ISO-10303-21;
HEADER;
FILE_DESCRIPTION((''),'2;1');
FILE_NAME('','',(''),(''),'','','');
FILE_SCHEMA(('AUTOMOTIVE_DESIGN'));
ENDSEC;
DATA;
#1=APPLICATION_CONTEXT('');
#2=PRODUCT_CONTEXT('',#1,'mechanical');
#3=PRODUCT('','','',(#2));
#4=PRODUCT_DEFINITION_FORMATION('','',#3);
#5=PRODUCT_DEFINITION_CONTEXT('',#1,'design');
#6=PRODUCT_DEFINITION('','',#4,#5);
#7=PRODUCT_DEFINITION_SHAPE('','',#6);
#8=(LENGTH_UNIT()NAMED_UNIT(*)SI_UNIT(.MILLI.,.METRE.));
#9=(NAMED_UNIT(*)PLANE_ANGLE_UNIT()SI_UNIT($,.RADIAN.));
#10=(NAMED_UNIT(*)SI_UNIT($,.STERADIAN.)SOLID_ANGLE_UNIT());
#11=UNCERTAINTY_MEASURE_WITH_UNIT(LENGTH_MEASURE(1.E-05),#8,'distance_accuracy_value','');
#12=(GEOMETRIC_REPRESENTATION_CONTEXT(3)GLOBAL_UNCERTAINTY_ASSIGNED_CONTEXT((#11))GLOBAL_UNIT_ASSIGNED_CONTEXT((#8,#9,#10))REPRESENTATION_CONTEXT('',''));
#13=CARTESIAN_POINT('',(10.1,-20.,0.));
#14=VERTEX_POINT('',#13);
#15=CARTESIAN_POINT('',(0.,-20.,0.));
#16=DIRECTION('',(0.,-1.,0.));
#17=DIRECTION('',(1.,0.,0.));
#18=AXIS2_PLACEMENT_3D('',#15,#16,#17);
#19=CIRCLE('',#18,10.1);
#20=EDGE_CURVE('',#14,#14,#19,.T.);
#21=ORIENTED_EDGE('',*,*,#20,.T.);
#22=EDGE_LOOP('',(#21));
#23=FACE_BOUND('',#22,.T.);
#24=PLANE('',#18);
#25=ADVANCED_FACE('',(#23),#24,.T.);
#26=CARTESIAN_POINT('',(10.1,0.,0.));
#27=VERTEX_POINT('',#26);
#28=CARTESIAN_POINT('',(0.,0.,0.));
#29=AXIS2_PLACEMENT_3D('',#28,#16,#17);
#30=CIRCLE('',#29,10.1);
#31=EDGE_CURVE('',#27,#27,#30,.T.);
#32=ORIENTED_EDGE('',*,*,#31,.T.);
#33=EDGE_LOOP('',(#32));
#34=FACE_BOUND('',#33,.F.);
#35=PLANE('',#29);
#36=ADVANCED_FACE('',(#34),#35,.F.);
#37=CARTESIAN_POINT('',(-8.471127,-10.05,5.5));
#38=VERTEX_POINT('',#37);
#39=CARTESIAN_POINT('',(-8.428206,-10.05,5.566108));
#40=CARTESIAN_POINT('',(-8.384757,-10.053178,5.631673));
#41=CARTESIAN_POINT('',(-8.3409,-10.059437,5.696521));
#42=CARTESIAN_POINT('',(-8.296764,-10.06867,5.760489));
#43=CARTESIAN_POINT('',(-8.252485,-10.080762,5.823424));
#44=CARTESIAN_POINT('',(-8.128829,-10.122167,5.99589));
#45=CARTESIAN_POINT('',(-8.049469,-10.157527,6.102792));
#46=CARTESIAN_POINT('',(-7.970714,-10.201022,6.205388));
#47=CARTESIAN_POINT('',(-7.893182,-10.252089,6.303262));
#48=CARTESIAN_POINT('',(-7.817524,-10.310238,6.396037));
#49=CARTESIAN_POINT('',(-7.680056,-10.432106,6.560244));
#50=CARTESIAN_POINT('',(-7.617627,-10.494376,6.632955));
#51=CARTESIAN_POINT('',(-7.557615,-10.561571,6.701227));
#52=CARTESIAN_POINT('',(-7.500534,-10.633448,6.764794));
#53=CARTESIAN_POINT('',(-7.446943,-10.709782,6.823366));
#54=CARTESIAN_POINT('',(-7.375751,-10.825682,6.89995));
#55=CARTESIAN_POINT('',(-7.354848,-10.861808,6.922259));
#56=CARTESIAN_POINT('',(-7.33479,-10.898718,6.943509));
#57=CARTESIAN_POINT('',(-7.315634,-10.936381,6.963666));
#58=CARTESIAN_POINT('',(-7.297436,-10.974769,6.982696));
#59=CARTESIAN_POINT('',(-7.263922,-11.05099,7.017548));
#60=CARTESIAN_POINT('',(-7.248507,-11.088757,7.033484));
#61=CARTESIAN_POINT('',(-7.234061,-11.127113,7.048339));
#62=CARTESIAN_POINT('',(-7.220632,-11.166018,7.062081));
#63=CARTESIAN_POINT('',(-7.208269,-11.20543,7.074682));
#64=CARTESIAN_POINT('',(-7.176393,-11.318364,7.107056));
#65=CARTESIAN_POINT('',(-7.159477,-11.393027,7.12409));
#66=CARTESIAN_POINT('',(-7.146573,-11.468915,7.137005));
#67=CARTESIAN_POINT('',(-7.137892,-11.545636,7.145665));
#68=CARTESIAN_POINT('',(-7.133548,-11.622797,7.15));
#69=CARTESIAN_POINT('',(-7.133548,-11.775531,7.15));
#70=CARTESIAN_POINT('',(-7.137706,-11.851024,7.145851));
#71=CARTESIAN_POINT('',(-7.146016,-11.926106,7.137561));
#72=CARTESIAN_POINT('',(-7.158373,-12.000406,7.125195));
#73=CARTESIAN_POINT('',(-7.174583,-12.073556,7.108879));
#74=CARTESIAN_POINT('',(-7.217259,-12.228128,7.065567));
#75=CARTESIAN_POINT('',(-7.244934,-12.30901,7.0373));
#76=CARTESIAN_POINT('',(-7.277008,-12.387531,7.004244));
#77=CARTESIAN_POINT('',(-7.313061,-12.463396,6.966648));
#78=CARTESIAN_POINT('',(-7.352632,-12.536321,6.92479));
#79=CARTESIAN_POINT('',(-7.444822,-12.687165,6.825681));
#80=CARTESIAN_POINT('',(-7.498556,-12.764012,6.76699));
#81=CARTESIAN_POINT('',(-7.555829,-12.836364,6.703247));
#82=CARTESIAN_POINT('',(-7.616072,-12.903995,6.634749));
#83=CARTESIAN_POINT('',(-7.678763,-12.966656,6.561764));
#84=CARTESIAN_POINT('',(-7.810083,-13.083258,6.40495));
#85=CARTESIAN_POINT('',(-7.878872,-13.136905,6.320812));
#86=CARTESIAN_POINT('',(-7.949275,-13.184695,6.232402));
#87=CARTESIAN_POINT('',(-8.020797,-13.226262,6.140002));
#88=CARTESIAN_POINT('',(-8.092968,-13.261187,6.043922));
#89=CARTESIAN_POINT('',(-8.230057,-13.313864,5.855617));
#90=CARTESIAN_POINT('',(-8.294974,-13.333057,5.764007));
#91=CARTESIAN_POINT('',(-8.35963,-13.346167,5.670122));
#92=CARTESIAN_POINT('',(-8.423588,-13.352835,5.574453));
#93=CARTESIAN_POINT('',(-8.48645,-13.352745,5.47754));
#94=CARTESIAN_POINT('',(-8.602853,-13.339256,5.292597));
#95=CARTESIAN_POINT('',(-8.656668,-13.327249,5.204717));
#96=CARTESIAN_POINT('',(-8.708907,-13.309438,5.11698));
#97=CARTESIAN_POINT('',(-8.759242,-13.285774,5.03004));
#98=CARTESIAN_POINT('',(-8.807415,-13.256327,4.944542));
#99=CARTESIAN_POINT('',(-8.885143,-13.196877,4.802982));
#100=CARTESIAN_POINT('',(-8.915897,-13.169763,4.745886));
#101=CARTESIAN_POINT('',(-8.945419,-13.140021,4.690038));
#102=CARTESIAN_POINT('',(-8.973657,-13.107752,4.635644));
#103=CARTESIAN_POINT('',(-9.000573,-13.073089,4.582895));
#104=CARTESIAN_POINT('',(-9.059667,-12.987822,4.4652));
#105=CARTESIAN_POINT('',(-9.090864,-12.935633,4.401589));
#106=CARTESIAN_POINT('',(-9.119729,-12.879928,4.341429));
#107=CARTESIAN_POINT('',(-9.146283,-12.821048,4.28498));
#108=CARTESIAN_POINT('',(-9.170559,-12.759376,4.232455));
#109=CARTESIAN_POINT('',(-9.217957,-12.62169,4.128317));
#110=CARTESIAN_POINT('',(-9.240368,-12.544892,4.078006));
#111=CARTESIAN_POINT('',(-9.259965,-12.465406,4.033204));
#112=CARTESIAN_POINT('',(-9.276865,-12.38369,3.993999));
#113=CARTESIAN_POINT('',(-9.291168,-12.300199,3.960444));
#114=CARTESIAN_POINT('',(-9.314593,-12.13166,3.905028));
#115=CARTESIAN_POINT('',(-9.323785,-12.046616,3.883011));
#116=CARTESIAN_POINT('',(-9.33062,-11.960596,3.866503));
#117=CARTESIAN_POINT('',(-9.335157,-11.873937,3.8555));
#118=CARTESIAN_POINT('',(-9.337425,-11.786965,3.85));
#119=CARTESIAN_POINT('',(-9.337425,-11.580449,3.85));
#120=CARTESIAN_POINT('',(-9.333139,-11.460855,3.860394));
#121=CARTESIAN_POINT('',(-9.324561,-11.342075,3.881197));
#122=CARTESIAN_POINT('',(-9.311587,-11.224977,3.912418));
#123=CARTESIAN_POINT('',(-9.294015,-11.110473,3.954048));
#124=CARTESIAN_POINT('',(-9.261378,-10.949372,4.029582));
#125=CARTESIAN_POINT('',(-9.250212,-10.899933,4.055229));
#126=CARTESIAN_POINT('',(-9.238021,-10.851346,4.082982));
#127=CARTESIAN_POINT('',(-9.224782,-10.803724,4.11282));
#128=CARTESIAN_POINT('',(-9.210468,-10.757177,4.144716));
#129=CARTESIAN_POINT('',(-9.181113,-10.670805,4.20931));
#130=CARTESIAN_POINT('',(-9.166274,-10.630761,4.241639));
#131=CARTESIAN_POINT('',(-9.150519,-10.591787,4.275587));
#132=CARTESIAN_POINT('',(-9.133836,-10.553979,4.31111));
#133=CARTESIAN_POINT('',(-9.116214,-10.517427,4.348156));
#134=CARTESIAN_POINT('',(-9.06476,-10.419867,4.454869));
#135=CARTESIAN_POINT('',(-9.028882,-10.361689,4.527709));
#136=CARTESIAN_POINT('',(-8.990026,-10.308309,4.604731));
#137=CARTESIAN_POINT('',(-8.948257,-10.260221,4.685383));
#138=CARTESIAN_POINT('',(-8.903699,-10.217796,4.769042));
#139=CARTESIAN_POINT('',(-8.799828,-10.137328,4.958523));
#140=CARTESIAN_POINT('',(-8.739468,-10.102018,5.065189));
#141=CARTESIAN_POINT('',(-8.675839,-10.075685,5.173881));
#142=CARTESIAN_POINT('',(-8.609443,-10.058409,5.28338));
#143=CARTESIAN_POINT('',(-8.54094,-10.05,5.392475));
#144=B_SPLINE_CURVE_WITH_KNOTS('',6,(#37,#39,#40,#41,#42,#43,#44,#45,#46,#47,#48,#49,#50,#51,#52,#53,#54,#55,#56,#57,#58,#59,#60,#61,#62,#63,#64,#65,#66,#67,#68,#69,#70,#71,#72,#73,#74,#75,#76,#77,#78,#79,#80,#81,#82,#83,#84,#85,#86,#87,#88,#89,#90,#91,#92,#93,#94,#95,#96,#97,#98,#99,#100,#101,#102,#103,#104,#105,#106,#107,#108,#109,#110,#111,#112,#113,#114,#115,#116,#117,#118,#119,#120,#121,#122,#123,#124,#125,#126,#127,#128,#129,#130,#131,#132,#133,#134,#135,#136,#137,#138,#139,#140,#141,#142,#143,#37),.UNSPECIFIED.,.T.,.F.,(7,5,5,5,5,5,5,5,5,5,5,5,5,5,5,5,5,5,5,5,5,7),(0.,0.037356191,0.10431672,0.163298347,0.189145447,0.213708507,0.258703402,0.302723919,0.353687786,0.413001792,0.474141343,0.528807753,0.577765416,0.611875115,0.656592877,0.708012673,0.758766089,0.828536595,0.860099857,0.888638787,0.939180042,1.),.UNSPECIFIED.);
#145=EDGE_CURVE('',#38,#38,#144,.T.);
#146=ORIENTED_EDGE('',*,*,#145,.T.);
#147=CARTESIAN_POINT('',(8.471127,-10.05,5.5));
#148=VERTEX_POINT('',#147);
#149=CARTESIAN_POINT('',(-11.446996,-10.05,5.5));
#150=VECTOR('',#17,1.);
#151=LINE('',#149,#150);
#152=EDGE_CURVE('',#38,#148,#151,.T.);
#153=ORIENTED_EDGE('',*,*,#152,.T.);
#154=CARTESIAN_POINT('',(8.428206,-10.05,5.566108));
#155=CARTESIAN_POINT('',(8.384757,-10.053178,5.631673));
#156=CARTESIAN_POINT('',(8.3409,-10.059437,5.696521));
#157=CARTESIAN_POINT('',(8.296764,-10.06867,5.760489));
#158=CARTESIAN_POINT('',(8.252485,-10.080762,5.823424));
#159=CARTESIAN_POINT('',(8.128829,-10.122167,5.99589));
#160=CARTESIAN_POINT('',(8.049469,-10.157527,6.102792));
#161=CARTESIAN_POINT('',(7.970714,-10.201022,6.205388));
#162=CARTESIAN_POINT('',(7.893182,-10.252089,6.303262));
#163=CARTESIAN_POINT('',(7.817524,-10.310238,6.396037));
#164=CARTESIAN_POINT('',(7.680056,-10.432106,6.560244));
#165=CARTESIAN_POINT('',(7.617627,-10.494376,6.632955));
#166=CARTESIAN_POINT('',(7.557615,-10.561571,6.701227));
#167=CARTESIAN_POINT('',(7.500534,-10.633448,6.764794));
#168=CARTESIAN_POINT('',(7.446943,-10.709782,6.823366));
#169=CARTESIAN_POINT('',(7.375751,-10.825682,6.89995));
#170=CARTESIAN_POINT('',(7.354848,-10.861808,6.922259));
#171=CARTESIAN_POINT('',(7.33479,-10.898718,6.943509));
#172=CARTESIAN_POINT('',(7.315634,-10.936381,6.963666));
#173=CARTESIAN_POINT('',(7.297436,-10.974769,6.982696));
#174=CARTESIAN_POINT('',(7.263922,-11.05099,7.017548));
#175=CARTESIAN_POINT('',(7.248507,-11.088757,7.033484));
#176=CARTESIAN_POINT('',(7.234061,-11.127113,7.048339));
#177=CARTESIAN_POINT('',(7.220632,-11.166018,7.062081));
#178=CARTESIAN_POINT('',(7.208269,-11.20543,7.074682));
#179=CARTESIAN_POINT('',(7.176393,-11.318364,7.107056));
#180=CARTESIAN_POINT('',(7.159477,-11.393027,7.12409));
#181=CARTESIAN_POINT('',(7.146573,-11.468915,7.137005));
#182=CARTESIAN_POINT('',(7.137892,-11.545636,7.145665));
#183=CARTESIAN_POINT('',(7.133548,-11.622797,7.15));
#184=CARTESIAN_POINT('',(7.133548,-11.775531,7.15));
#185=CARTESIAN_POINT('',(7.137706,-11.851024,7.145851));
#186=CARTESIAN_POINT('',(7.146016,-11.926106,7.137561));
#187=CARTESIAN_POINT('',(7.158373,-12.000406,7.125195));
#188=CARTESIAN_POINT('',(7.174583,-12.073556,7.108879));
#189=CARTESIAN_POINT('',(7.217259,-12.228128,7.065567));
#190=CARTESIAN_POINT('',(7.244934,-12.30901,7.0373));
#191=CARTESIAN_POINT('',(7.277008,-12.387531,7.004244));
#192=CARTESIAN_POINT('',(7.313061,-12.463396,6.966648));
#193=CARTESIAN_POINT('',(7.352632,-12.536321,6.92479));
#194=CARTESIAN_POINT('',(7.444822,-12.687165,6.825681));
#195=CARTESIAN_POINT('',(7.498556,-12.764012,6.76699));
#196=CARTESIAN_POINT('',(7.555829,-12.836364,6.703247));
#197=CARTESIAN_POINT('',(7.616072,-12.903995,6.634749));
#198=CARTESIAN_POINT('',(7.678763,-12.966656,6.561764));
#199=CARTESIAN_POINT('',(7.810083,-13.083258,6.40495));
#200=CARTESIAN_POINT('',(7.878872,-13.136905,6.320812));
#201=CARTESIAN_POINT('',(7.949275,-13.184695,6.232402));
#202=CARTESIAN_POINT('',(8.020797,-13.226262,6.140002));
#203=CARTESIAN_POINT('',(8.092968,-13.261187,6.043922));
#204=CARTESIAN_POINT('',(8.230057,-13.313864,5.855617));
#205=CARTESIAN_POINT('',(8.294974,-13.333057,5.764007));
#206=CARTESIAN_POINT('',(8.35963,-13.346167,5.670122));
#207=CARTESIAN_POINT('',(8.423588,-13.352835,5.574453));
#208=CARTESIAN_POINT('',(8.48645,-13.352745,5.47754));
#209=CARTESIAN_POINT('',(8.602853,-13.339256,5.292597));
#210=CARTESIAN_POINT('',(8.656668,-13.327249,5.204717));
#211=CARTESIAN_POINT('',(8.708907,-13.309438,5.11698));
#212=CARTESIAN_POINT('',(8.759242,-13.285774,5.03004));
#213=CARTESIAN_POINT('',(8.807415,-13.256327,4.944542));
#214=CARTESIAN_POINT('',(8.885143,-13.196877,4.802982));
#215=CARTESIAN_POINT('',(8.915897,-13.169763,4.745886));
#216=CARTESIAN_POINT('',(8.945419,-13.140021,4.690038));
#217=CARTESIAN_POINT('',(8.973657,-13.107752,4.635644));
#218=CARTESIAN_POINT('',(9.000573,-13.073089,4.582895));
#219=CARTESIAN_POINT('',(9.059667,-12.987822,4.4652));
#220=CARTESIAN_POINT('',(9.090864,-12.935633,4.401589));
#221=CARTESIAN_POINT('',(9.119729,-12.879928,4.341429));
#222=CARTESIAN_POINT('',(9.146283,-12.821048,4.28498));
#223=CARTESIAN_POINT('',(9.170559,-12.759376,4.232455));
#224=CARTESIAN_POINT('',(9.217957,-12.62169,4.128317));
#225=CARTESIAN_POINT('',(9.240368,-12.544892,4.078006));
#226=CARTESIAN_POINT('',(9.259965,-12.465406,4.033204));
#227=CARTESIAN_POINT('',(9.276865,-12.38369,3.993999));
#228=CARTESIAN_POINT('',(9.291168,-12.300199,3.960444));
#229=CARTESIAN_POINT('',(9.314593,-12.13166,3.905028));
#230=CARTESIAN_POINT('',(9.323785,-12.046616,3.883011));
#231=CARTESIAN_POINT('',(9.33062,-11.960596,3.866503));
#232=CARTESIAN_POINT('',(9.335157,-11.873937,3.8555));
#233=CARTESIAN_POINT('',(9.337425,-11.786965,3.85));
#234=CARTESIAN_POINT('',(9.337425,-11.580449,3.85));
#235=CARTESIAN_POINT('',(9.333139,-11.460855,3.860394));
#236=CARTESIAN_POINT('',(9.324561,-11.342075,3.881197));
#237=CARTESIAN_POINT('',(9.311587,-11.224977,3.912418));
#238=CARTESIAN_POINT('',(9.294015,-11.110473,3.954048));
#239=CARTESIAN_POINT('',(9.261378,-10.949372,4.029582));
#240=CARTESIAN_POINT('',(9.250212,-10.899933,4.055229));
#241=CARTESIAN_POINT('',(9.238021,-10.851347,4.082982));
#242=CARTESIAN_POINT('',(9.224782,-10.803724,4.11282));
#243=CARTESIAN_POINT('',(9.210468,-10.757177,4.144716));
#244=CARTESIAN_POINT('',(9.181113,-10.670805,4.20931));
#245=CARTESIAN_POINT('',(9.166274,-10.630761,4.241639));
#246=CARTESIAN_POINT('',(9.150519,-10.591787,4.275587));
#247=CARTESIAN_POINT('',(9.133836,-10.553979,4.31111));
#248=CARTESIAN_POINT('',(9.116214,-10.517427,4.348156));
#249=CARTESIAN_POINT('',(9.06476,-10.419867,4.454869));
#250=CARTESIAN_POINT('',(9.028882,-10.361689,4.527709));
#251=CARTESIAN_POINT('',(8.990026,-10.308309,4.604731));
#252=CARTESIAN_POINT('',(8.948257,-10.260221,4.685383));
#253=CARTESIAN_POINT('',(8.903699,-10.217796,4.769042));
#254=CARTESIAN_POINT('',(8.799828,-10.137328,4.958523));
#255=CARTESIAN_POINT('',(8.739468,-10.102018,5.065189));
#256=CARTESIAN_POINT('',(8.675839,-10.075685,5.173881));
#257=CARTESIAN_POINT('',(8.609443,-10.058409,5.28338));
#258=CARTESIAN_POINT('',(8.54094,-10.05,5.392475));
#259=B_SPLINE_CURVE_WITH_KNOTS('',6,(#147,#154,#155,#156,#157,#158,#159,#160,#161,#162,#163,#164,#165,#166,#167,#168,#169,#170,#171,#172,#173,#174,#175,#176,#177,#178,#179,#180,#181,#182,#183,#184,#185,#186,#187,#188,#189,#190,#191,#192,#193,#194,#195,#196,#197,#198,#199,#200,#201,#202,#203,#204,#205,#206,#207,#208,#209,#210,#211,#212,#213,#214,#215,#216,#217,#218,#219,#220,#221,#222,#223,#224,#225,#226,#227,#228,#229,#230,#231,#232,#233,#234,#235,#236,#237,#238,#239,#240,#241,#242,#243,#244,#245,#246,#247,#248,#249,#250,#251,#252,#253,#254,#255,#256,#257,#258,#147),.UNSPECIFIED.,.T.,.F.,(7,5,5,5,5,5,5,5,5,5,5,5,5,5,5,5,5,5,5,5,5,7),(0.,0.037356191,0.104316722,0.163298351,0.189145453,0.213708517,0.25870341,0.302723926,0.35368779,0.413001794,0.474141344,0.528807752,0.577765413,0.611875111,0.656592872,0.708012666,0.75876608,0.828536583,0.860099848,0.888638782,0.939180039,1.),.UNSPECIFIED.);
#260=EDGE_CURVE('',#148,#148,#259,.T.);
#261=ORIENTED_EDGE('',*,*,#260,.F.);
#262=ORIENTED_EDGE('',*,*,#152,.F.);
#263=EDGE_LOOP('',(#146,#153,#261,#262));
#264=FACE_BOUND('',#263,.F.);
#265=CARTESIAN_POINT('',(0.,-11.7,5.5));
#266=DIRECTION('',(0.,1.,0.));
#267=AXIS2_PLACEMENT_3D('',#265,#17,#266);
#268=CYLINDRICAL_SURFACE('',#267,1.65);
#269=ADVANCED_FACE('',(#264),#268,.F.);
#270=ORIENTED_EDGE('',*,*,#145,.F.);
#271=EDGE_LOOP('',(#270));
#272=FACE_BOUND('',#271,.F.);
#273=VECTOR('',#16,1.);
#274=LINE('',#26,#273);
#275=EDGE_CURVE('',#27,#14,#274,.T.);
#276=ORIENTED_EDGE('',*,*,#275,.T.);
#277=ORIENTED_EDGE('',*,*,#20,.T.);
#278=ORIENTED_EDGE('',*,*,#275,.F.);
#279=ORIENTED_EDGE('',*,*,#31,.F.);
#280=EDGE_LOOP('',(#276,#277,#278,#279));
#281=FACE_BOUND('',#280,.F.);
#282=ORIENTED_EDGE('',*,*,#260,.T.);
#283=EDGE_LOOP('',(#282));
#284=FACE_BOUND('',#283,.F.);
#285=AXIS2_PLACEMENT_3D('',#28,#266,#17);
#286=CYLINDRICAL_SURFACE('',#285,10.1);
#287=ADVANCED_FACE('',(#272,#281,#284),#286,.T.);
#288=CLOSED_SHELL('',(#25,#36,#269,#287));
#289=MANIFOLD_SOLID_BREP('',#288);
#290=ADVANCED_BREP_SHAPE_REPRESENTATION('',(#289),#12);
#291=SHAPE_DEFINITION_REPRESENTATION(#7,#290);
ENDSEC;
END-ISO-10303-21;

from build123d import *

# Parameters (mm, degrees)
F0_R     = 10.1
F1_DEPTH = 20
F2_R     = 1.65
F3_DEPTH = 11.446996


with BuildPart() as f1:
    # F0 (on Front) → F1 (new body)
    with BuildSketch(Plane.XZ):
        Circle(F0_R)
    extrude(amount=F1_DEPTH)

    # F2 (on Right) → F3 (cut, symmetric)
    with BuildSketch(Plane.YZ):
        with Locations((-11.7, 5.5)):
            Circle(F2_R)
    extrude(amount=F3_DEPTH, both=True, mode=Mode.SUBTRACT)


solid = f1.part
